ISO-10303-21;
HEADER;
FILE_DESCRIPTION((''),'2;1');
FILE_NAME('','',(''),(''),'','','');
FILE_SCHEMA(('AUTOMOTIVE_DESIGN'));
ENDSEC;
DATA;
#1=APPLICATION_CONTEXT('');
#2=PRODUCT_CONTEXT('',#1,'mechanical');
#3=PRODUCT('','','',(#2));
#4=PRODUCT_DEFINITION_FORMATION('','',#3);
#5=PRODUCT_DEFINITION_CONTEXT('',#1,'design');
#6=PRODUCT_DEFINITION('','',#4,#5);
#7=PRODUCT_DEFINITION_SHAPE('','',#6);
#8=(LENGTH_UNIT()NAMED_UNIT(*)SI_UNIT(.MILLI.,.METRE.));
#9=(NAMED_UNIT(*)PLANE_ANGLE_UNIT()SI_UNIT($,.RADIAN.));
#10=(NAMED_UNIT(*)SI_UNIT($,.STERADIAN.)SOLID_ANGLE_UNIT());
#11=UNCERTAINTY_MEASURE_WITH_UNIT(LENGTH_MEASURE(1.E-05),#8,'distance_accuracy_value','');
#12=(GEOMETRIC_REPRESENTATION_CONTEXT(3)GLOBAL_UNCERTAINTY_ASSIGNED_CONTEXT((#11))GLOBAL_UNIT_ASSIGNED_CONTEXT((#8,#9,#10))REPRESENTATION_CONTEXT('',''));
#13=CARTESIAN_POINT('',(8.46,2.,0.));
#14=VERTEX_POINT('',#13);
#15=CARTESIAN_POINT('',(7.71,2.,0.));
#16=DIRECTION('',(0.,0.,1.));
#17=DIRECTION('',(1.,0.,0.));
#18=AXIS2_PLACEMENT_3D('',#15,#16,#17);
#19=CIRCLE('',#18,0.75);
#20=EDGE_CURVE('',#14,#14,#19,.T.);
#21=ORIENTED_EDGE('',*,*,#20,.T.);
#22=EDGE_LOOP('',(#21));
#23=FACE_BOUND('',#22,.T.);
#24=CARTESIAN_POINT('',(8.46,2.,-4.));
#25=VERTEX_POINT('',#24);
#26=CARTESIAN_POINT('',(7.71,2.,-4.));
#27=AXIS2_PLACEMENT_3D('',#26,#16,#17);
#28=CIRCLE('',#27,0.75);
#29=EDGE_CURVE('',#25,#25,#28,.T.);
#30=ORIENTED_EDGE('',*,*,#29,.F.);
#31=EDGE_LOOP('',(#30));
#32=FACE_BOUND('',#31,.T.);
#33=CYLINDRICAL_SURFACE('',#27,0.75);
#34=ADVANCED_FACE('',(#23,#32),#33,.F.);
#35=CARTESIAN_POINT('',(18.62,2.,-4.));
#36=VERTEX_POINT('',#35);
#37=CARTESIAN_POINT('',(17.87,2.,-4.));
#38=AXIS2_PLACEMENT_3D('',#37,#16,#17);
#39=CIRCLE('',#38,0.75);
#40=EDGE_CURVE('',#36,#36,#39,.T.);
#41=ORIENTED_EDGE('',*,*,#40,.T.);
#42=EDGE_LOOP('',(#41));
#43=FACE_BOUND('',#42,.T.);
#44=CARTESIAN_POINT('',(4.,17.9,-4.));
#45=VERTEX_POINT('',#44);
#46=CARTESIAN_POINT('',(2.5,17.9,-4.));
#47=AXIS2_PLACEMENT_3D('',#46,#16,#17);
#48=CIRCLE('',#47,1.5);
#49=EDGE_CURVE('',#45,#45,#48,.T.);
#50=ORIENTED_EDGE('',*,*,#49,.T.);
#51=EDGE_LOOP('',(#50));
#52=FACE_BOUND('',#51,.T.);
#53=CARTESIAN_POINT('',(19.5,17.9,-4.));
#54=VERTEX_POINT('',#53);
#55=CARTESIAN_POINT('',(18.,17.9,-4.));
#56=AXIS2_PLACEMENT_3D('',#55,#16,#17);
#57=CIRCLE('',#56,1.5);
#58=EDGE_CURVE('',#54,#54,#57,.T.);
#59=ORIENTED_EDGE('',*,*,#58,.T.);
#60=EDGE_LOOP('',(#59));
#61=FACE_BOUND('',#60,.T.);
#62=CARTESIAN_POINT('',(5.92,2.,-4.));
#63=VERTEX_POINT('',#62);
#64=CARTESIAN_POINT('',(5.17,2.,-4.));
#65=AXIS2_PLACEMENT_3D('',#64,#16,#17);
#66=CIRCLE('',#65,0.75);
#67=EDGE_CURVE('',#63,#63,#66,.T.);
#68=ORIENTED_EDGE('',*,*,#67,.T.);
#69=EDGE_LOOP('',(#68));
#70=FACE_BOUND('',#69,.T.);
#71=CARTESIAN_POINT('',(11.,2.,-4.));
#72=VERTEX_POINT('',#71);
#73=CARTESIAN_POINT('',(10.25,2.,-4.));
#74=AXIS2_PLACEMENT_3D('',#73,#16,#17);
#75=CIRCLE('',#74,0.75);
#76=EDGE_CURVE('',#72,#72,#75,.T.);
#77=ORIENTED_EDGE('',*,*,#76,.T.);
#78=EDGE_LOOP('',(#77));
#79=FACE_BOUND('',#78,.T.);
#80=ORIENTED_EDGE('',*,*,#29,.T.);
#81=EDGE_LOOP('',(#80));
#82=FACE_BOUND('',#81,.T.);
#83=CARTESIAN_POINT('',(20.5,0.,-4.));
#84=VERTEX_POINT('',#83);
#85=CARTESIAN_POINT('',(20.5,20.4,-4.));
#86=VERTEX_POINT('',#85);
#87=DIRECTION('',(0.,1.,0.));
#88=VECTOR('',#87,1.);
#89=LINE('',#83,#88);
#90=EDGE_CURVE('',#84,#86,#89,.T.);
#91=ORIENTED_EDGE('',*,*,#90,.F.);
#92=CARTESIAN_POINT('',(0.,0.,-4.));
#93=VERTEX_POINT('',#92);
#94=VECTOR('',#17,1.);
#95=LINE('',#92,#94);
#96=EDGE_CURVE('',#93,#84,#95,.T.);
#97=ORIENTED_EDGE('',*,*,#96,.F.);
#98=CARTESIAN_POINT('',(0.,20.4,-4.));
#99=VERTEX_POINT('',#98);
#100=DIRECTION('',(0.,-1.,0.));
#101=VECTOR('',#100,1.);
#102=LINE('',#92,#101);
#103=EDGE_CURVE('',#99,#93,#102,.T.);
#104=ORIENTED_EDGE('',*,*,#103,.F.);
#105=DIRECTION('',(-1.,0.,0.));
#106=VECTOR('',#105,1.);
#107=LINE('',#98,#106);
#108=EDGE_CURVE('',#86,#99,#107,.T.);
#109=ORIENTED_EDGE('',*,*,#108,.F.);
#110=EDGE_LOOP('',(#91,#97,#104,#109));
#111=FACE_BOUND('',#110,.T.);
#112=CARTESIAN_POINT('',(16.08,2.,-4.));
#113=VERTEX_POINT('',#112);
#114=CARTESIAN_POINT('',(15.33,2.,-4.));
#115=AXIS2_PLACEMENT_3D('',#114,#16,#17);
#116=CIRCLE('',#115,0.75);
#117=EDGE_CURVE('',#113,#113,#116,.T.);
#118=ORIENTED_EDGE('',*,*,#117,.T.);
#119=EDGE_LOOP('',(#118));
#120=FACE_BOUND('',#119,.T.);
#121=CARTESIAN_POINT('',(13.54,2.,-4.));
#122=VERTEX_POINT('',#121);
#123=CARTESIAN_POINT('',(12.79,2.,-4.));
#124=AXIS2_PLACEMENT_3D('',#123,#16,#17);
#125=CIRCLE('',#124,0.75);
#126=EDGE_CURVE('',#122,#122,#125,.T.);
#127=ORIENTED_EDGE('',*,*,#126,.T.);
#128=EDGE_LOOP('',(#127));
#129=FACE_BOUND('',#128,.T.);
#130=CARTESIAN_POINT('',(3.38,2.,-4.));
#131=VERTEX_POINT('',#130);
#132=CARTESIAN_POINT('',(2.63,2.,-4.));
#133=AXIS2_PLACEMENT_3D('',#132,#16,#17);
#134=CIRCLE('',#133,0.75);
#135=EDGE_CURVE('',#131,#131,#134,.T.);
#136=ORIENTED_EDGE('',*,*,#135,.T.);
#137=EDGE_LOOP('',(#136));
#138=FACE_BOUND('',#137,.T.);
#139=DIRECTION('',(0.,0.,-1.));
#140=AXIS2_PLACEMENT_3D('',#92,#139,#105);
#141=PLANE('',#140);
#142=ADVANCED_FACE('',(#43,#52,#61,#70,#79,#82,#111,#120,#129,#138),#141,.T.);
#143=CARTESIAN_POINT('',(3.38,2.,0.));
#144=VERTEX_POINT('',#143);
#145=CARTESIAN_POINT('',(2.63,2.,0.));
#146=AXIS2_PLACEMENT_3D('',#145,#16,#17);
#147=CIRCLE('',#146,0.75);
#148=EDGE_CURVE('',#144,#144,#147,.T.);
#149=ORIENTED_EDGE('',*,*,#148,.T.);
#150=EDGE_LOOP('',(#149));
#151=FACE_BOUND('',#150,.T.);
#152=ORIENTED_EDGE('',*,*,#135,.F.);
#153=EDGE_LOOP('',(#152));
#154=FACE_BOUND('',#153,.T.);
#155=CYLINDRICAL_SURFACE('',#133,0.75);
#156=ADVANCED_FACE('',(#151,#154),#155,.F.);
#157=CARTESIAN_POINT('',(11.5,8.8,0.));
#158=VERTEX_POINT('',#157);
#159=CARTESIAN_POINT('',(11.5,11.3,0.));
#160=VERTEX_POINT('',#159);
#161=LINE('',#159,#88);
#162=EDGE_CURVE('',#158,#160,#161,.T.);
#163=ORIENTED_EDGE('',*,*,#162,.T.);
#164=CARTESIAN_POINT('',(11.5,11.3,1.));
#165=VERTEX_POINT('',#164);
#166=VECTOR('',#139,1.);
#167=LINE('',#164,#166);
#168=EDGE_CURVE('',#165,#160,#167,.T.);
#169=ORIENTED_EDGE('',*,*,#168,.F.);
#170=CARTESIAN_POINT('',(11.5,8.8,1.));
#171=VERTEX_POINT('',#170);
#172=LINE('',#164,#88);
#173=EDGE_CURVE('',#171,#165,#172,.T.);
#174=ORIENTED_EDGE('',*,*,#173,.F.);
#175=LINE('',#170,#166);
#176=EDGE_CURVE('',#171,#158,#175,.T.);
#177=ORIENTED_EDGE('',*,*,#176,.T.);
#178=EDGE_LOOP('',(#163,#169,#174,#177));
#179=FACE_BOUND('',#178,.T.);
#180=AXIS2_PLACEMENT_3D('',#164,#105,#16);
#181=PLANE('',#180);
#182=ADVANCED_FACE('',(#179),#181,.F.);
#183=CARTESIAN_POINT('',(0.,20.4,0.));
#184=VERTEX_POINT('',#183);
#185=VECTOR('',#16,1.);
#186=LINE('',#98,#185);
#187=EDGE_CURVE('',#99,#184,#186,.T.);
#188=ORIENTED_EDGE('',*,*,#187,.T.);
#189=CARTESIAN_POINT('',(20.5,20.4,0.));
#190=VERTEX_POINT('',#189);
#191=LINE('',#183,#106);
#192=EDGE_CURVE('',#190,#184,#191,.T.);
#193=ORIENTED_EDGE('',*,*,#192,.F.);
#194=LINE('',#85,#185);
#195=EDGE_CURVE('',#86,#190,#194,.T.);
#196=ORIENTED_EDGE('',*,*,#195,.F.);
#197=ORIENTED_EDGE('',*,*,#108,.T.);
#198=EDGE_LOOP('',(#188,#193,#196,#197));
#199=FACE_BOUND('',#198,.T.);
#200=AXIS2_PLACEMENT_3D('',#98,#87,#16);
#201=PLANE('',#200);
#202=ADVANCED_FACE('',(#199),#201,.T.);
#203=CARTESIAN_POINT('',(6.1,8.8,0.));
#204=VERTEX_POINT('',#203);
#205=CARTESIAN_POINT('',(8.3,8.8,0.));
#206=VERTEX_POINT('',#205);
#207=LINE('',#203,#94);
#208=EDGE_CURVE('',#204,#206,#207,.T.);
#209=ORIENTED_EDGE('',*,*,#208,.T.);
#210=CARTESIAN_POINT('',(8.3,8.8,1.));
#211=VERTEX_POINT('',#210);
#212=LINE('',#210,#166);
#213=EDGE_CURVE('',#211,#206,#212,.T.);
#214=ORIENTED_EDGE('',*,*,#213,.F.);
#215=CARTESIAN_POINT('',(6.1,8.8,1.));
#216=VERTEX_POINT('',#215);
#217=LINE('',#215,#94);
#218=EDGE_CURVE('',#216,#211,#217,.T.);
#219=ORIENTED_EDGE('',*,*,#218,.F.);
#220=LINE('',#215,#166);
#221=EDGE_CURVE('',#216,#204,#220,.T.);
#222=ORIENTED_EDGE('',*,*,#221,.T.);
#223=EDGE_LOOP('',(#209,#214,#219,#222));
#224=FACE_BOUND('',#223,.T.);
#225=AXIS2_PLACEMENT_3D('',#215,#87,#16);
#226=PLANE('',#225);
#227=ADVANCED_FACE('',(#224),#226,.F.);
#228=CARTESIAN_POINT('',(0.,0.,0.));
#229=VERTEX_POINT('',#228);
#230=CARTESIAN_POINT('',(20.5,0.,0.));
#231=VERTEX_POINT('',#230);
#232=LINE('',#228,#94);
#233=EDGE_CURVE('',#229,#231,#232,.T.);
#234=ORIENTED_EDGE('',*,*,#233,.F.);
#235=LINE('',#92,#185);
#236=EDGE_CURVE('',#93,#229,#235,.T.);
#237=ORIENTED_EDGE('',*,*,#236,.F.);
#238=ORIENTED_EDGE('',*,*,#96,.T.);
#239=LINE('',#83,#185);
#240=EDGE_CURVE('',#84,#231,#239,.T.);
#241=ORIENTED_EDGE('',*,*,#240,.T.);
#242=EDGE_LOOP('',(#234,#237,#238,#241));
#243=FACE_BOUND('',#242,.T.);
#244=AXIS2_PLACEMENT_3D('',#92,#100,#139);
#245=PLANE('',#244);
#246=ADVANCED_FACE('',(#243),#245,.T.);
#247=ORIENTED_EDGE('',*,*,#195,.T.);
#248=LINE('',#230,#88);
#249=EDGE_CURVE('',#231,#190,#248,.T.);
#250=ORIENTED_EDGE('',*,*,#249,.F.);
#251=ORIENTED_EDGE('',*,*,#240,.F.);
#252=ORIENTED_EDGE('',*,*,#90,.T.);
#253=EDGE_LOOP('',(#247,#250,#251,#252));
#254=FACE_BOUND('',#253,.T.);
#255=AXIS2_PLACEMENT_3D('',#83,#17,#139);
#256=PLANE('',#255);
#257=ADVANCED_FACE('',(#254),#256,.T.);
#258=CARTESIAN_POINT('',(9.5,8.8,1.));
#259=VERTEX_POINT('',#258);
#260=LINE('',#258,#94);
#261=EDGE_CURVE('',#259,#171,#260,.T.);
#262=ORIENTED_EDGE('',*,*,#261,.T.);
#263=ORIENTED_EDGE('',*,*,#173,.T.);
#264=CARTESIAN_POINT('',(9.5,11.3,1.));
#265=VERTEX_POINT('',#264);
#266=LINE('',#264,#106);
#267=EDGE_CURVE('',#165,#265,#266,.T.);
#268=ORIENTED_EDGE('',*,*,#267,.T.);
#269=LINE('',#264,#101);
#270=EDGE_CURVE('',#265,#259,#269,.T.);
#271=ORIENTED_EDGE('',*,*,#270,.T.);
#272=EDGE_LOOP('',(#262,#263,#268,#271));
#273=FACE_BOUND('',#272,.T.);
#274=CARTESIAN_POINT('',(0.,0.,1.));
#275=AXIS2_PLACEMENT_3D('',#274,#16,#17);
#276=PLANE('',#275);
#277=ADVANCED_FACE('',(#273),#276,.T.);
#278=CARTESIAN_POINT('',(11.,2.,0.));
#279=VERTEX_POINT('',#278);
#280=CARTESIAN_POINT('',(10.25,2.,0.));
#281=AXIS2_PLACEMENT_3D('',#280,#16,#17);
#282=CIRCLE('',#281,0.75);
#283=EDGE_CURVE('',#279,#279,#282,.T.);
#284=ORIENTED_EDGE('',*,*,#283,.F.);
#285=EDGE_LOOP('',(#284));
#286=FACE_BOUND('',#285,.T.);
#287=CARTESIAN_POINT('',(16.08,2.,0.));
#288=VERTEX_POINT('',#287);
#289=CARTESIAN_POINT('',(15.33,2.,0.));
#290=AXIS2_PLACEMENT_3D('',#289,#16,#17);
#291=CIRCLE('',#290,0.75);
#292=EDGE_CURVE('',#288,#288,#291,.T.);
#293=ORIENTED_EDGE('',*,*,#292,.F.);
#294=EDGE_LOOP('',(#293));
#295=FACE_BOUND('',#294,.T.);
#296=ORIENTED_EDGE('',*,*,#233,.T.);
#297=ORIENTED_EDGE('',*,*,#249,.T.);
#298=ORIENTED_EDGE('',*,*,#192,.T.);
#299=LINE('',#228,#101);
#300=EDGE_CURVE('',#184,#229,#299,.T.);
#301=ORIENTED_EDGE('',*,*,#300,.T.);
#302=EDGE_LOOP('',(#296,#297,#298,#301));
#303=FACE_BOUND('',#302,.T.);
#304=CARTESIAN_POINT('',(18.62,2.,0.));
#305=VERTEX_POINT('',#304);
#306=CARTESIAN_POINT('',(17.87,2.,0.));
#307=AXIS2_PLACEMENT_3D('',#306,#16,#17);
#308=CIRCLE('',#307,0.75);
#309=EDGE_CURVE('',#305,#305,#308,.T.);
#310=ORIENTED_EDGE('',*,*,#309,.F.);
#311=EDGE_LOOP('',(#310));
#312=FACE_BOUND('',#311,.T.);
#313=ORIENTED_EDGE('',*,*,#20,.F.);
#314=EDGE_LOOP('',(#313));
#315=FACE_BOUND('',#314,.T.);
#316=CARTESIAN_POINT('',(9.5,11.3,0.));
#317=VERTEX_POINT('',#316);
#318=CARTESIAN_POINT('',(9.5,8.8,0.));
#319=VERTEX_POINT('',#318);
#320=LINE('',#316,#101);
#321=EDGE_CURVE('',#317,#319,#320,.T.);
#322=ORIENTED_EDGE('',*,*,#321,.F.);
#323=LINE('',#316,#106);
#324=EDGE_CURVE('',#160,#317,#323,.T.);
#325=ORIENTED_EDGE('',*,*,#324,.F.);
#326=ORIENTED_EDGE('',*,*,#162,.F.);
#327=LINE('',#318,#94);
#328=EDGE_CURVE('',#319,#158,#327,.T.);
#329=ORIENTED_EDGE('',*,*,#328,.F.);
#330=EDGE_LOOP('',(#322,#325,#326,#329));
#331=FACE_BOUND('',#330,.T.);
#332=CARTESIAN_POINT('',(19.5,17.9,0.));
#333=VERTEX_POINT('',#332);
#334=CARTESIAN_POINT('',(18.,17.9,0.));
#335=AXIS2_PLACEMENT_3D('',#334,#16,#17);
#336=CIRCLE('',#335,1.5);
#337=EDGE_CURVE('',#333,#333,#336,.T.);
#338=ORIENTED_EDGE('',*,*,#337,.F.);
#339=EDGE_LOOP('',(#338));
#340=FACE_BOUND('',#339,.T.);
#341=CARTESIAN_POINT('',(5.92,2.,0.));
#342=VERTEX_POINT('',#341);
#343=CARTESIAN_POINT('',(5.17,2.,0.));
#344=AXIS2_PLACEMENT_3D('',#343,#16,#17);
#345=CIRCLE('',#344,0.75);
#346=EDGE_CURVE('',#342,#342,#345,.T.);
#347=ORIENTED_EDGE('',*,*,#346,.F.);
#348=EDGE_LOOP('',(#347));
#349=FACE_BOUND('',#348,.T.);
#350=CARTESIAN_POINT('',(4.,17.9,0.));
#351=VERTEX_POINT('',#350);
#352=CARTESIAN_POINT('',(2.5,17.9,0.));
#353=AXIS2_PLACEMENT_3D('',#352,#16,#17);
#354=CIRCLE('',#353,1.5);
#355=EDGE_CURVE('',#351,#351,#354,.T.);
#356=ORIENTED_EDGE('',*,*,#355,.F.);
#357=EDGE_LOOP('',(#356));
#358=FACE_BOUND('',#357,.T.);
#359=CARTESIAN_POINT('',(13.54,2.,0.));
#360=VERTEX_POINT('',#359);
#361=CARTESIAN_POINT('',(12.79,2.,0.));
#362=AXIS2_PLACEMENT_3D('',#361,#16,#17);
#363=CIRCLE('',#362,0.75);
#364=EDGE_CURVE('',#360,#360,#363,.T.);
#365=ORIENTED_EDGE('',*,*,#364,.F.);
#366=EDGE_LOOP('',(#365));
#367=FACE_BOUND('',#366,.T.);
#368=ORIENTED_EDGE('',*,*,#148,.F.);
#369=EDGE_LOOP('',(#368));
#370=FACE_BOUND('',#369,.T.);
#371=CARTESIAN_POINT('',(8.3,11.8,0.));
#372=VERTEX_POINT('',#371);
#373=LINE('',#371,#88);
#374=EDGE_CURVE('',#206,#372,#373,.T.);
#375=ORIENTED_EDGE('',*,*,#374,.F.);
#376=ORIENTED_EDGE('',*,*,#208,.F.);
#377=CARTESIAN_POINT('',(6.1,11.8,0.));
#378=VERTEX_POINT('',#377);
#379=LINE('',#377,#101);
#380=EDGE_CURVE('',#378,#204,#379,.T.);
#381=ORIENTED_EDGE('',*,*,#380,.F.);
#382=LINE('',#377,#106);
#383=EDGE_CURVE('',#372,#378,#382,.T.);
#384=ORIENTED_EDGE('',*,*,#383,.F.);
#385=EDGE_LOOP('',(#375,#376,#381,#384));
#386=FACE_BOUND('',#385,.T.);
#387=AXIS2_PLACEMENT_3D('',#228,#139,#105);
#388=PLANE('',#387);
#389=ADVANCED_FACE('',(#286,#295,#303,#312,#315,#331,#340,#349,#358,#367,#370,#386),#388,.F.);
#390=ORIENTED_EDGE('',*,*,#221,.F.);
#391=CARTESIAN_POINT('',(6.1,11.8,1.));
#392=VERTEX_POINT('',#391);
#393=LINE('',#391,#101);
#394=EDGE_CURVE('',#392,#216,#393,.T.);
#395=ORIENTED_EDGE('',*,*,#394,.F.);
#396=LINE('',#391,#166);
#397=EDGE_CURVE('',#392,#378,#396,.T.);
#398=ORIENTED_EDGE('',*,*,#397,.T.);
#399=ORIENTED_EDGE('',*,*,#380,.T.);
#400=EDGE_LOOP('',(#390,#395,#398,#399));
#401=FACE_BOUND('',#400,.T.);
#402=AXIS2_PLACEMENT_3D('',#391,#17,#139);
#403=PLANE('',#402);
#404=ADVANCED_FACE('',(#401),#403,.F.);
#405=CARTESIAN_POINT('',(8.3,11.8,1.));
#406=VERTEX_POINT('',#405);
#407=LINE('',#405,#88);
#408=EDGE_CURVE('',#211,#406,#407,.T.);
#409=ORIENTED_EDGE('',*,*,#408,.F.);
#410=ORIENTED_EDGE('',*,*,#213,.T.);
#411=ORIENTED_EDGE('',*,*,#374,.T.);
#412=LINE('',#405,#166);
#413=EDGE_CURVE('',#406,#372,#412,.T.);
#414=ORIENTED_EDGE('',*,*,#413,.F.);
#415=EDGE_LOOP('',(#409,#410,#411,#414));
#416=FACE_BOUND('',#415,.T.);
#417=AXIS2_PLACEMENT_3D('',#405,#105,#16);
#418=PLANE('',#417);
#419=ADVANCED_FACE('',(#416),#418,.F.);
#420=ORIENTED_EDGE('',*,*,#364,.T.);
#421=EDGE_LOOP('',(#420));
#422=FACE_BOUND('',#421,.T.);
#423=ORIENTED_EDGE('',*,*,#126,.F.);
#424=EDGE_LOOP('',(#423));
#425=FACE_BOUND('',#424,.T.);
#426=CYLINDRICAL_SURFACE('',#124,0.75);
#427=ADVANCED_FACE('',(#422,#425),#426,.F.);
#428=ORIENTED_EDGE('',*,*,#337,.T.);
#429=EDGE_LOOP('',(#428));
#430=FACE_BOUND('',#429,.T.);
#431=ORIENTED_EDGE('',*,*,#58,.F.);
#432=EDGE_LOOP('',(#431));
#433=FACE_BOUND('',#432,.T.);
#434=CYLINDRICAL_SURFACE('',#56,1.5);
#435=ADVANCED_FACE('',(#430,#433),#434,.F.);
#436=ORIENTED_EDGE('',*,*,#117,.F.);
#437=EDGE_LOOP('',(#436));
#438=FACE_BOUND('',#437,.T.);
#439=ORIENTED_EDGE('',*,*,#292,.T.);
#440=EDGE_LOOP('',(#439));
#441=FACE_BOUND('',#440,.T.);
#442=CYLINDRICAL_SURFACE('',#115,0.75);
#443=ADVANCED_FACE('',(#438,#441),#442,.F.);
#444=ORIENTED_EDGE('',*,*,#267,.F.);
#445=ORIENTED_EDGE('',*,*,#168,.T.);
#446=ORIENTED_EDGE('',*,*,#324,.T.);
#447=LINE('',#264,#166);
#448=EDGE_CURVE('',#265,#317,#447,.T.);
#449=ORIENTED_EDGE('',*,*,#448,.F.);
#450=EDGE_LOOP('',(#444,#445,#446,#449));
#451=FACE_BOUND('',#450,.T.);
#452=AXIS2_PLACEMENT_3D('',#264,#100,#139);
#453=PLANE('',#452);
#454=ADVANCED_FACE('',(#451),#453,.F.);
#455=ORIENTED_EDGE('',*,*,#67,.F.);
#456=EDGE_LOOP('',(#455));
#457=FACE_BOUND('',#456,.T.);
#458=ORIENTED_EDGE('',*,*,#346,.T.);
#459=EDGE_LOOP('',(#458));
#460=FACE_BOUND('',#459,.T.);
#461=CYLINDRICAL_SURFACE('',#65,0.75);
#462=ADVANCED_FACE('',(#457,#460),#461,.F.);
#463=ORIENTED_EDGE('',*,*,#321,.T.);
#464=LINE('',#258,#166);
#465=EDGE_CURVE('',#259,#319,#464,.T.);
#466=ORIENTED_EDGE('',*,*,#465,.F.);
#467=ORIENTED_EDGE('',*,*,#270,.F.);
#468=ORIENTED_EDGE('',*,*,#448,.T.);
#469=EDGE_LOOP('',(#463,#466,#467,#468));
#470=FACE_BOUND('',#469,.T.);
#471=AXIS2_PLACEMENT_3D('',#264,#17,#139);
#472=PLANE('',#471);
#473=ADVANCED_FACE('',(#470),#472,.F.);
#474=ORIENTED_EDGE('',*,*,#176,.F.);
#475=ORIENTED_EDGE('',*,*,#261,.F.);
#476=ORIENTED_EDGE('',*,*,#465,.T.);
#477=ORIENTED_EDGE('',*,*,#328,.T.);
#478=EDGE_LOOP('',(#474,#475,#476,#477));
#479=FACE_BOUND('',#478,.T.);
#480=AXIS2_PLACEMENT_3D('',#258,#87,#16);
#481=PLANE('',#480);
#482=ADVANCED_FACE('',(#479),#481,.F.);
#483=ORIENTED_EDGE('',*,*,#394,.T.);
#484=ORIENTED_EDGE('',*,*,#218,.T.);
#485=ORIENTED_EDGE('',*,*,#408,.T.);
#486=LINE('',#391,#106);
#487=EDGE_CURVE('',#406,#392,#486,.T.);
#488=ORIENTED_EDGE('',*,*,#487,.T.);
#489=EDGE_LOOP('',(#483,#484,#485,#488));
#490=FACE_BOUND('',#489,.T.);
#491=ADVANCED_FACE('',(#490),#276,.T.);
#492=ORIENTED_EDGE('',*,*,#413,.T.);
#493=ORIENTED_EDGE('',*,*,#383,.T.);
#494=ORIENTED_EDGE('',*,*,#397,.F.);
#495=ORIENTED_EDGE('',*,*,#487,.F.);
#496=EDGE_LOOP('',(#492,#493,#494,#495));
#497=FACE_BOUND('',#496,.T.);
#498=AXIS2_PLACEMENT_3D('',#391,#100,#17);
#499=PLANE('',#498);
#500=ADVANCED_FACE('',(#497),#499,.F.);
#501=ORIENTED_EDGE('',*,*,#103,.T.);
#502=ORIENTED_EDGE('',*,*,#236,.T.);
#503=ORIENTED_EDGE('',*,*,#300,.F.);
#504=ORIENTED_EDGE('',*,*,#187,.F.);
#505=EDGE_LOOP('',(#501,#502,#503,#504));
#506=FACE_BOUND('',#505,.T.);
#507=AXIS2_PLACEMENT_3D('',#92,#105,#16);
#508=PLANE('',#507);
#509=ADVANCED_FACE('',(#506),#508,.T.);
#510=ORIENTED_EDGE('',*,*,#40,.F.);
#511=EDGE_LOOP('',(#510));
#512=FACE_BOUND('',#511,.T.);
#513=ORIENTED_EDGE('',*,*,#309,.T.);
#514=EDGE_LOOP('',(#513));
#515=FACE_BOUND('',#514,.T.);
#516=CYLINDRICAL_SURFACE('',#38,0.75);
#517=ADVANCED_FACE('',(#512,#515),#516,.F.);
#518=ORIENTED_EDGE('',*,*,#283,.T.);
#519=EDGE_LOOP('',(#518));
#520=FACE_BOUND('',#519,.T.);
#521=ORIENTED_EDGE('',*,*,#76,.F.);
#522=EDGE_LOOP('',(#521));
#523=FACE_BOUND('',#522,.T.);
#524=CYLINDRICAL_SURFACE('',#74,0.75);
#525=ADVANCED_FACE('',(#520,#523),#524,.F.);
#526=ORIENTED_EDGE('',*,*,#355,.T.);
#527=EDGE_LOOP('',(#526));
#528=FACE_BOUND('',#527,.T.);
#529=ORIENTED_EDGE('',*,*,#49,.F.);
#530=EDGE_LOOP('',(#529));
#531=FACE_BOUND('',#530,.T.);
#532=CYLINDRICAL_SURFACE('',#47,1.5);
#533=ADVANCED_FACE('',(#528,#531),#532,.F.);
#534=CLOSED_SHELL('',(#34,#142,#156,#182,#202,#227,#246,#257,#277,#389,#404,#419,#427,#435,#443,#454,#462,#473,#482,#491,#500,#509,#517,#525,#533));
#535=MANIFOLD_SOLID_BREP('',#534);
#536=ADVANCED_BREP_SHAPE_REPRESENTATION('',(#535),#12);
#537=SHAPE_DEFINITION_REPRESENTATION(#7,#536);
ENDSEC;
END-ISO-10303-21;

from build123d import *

# Parameters (mm, degrees)
ESQUISSE2_W             = 20.5
ESQUISSE2_H             = 20.4
BOSS_EXTRU_1_DEPTH      = 4
ESQUISSE3_R             = 1.5
ESQUISSE3_R_2           = 0.75
ENL_V_MAT_EXTRU_1_DEPTH = 4
ESQUISSE4_W             = 2.2
ESQUISSE4_H             = 3
ESQUISSE4_W_2           = 2
ESQUISSE4_H_2           = 2.5
BOSS_EXTRU_2_DEPTH      = 1


with BuildPart() as part:
    # Esquisse2 → Boss.-Extru.1 (new body)
    with BuildSketch(Plane.XY):
        with Locations((10.25, 10.2)):
            Rectangle(ESQUISSE2_W, ESQUISSE2_H)
    extrude(amount=-BOSS_EXTRU_1_DEPTH)

    # Esquisse3 → Enlèv. mat.-Extru.1 (cut)
    with BuildSketch(Plane.XY):
        with Locations((2.5, 17.9)):
            Circle(ESQUISSE3_R)
        with Locations((18, 17.9)):
            Circle(ESQUISSE3_R)
        with Locations((2.63, 2)):
            Circle(ESQUISSE3_R_2)
        with Locations((5.17, 2)):
            Circle(ESQUISSE3_R_2)
        with Locations((7.71, 2)):
            Circle(ESQUISSE3_R_2)
        with Locations((10.25, 2)):
            Circle(ESQUISSE3_R_2)
        with Locations((12.79, 2)):
            Circle(ESQUISSE3_R_2)
        with Locations((15.33, 2)):
            Circle(ESQUISSE3_R_2)
        with Locations((17.87, 2)):
            Circle(ESQUISSE3_R_2)
    extrude(amount=-ENL_V_MAT_EXTRU_1_DEPTH, mode=Mode.SUBTRACT)

    # Esquisse4 → Boss.-Extru.2 (add)
    with BuildSketch(Plane.XY):
        with Locations((7.2, 10.3)):
            Rectangle(ESQUISSE4_W, ESQUISSE4_H)
        with Locations((10.5, 10.05)):
            Rectangle(ESQUISSE4_W_2, ESQUISSE4_H_2)
    extrude(amount=BOSS_EXTRU_2_DEPTH)


solid = part.part
